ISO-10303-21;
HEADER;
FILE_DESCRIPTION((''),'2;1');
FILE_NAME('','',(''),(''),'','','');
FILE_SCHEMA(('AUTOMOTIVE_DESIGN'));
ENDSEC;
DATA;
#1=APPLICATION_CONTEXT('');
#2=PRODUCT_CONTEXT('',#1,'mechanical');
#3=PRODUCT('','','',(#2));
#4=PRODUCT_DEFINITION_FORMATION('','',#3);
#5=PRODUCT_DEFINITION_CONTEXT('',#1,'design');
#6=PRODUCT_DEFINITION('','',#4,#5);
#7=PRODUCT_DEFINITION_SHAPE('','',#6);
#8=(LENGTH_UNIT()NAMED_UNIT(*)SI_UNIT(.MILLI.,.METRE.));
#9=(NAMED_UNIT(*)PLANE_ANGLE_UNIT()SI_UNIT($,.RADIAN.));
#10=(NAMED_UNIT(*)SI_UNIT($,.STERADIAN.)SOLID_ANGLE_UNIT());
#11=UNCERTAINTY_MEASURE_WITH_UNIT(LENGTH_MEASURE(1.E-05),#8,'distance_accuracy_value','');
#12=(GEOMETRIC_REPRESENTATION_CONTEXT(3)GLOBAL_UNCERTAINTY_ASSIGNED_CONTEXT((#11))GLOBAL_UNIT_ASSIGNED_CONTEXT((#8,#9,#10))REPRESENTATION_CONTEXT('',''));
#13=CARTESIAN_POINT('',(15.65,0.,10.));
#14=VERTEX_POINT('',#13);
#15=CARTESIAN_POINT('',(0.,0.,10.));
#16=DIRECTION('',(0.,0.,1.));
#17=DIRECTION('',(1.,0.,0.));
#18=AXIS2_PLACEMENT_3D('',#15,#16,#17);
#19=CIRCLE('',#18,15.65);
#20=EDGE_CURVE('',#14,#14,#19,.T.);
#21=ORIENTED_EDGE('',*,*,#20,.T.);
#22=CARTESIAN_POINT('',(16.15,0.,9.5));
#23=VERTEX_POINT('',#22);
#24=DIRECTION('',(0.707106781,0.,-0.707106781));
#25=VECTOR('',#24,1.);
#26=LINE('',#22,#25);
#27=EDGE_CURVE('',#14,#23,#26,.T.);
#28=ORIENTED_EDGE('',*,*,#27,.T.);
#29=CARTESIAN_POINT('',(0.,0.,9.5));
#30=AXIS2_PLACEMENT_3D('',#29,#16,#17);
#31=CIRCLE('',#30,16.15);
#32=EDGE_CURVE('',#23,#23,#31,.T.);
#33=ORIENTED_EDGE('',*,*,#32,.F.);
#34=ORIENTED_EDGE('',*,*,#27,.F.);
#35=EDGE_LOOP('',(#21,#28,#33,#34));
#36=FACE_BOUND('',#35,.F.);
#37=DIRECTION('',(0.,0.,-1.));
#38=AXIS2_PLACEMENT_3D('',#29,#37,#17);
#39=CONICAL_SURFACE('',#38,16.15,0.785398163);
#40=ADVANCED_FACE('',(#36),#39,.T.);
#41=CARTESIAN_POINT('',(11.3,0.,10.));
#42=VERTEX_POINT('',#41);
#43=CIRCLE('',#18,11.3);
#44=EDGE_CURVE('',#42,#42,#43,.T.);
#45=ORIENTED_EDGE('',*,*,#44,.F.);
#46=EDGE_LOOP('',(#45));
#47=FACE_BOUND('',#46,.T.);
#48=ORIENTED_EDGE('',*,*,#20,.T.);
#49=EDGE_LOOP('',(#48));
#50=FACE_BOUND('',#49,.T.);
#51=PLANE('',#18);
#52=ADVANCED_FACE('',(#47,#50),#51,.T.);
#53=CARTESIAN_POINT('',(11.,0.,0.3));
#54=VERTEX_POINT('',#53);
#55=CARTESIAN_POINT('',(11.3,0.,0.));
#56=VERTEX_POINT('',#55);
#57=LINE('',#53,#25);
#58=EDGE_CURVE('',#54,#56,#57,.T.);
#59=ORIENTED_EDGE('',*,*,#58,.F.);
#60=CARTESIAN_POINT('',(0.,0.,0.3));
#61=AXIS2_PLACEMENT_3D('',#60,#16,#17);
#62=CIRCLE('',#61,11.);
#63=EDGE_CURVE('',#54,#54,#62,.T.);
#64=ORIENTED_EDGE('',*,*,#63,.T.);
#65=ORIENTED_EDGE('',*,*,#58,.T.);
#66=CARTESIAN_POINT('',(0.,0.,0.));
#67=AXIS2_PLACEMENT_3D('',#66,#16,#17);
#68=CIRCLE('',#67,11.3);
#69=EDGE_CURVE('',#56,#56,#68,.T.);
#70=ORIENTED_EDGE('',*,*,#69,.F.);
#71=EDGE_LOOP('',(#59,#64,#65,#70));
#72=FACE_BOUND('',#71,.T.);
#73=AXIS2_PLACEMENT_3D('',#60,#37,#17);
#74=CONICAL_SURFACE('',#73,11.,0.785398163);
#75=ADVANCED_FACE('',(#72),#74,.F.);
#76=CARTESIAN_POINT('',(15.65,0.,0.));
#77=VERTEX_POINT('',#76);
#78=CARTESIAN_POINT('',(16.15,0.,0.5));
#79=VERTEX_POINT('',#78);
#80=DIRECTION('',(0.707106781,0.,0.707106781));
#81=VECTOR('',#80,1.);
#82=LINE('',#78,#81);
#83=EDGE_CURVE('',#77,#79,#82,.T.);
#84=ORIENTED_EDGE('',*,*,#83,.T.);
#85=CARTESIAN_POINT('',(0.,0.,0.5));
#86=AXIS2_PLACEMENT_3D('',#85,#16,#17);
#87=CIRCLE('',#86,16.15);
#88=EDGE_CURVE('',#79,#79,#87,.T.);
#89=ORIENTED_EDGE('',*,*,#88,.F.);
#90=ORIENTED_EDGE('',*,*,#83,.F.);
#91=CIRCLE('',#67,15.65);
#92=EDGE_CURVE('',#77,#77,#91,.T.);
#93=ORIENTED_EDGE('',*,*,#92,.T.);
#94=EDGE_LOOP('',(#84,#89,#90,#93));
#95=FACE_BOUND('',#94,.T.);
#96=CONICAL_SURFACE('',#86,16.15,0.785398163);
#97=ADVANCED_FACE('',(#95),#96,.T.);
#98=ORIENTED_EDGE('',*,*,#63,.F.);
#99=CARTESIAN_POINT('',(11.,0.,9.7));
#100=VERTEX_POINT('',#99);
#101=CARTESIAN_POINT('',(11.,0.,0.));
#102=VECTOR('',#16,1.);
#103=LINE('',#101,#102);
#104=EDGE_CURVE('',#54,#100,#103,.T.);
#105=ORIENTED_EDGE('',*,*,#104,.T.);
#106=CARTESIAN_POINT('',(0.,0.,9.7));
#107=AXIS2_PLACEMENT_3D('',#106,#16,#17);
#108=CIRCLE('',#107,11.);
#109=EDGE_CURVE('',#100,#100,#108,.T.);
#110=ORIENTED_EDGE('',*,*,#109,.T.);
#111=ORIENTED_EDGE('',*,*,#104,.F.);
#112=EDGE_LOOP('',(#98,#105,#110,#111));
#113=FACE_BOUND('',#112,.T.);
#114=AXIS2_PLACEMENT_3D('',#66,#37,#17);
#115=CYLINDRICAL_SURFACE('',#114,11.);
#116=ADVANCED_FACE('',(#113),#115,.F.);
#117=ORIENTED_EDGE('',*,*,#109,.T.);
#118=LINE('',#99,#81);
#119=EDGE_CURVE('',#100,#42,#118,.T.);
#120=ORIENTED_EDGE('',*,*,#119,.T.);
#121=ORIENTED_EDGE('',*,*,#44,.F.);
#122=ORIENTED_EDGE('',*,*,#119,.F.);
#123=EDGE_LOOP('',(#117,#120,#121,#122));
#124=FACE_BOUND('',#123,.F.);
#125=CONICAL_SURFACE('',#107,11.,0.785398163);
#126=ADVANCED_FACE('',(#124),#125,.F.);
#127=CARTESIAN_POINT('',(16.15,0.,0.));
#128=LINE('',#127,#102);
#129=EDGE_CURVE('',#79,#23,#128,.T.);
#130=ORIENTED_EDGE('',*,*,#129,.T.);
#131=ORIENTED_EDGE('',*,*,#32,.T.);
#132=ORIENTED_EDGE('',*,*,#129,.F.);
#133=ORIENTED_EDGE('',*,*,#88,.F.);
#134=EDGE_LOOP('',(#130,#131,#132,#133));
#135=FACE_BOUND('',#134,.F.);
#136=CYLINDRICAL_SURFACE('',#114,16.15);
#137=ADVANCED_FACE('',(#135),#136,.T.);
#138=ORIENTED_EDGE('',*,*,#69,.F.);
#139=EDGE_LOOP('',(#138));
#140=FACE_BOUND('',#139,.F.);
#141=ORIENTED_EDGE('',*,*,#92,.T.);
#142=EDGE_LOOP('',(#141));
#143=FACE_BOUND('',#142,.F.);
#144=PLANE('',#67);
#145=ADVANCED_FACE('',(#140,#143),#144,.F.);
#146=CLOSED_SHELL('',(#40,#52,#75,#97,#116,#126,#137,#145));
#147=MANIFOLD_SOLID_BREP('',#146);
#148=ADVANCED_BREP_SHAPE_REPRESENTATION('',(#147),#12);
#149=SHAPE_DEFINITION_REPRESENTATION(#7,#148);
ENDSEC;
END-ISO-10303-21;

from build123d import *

# Parameters (mm, degrees)
F0_R     = 16.15
F0_R_2   = 11
F1_DEPTH = 10
F2_SIZE  = 0.3
F3_SIZE  = 0.5


with BuildPart() as f1:
    # F0 (on Top) → F1 (new body)
    with BuildSketch(Plane.XY):
        Circle(F0_R)
        Circle(F0_R_2, mode=Mode.SUBTRACT)
    extrude(amount=F1_DEPTH)

    # F2
    f2_edges = [f1.edges().sort_by_distance(p)[0] for p in [
        (-11, 0, 10),
        (-11, 0, 0),
    ]]
    chamfer(f2_edges, length=F2_SIZE)

    # F3
    f3_edges = [f1.edges().sort_by_distance(p)[0] for p in [
        (-16.15, 0, 10),
        (-16.15, 0, 0),
    ]]
    chamfer(f3_edges, length=F3_SIZE)


solid = f1.part
